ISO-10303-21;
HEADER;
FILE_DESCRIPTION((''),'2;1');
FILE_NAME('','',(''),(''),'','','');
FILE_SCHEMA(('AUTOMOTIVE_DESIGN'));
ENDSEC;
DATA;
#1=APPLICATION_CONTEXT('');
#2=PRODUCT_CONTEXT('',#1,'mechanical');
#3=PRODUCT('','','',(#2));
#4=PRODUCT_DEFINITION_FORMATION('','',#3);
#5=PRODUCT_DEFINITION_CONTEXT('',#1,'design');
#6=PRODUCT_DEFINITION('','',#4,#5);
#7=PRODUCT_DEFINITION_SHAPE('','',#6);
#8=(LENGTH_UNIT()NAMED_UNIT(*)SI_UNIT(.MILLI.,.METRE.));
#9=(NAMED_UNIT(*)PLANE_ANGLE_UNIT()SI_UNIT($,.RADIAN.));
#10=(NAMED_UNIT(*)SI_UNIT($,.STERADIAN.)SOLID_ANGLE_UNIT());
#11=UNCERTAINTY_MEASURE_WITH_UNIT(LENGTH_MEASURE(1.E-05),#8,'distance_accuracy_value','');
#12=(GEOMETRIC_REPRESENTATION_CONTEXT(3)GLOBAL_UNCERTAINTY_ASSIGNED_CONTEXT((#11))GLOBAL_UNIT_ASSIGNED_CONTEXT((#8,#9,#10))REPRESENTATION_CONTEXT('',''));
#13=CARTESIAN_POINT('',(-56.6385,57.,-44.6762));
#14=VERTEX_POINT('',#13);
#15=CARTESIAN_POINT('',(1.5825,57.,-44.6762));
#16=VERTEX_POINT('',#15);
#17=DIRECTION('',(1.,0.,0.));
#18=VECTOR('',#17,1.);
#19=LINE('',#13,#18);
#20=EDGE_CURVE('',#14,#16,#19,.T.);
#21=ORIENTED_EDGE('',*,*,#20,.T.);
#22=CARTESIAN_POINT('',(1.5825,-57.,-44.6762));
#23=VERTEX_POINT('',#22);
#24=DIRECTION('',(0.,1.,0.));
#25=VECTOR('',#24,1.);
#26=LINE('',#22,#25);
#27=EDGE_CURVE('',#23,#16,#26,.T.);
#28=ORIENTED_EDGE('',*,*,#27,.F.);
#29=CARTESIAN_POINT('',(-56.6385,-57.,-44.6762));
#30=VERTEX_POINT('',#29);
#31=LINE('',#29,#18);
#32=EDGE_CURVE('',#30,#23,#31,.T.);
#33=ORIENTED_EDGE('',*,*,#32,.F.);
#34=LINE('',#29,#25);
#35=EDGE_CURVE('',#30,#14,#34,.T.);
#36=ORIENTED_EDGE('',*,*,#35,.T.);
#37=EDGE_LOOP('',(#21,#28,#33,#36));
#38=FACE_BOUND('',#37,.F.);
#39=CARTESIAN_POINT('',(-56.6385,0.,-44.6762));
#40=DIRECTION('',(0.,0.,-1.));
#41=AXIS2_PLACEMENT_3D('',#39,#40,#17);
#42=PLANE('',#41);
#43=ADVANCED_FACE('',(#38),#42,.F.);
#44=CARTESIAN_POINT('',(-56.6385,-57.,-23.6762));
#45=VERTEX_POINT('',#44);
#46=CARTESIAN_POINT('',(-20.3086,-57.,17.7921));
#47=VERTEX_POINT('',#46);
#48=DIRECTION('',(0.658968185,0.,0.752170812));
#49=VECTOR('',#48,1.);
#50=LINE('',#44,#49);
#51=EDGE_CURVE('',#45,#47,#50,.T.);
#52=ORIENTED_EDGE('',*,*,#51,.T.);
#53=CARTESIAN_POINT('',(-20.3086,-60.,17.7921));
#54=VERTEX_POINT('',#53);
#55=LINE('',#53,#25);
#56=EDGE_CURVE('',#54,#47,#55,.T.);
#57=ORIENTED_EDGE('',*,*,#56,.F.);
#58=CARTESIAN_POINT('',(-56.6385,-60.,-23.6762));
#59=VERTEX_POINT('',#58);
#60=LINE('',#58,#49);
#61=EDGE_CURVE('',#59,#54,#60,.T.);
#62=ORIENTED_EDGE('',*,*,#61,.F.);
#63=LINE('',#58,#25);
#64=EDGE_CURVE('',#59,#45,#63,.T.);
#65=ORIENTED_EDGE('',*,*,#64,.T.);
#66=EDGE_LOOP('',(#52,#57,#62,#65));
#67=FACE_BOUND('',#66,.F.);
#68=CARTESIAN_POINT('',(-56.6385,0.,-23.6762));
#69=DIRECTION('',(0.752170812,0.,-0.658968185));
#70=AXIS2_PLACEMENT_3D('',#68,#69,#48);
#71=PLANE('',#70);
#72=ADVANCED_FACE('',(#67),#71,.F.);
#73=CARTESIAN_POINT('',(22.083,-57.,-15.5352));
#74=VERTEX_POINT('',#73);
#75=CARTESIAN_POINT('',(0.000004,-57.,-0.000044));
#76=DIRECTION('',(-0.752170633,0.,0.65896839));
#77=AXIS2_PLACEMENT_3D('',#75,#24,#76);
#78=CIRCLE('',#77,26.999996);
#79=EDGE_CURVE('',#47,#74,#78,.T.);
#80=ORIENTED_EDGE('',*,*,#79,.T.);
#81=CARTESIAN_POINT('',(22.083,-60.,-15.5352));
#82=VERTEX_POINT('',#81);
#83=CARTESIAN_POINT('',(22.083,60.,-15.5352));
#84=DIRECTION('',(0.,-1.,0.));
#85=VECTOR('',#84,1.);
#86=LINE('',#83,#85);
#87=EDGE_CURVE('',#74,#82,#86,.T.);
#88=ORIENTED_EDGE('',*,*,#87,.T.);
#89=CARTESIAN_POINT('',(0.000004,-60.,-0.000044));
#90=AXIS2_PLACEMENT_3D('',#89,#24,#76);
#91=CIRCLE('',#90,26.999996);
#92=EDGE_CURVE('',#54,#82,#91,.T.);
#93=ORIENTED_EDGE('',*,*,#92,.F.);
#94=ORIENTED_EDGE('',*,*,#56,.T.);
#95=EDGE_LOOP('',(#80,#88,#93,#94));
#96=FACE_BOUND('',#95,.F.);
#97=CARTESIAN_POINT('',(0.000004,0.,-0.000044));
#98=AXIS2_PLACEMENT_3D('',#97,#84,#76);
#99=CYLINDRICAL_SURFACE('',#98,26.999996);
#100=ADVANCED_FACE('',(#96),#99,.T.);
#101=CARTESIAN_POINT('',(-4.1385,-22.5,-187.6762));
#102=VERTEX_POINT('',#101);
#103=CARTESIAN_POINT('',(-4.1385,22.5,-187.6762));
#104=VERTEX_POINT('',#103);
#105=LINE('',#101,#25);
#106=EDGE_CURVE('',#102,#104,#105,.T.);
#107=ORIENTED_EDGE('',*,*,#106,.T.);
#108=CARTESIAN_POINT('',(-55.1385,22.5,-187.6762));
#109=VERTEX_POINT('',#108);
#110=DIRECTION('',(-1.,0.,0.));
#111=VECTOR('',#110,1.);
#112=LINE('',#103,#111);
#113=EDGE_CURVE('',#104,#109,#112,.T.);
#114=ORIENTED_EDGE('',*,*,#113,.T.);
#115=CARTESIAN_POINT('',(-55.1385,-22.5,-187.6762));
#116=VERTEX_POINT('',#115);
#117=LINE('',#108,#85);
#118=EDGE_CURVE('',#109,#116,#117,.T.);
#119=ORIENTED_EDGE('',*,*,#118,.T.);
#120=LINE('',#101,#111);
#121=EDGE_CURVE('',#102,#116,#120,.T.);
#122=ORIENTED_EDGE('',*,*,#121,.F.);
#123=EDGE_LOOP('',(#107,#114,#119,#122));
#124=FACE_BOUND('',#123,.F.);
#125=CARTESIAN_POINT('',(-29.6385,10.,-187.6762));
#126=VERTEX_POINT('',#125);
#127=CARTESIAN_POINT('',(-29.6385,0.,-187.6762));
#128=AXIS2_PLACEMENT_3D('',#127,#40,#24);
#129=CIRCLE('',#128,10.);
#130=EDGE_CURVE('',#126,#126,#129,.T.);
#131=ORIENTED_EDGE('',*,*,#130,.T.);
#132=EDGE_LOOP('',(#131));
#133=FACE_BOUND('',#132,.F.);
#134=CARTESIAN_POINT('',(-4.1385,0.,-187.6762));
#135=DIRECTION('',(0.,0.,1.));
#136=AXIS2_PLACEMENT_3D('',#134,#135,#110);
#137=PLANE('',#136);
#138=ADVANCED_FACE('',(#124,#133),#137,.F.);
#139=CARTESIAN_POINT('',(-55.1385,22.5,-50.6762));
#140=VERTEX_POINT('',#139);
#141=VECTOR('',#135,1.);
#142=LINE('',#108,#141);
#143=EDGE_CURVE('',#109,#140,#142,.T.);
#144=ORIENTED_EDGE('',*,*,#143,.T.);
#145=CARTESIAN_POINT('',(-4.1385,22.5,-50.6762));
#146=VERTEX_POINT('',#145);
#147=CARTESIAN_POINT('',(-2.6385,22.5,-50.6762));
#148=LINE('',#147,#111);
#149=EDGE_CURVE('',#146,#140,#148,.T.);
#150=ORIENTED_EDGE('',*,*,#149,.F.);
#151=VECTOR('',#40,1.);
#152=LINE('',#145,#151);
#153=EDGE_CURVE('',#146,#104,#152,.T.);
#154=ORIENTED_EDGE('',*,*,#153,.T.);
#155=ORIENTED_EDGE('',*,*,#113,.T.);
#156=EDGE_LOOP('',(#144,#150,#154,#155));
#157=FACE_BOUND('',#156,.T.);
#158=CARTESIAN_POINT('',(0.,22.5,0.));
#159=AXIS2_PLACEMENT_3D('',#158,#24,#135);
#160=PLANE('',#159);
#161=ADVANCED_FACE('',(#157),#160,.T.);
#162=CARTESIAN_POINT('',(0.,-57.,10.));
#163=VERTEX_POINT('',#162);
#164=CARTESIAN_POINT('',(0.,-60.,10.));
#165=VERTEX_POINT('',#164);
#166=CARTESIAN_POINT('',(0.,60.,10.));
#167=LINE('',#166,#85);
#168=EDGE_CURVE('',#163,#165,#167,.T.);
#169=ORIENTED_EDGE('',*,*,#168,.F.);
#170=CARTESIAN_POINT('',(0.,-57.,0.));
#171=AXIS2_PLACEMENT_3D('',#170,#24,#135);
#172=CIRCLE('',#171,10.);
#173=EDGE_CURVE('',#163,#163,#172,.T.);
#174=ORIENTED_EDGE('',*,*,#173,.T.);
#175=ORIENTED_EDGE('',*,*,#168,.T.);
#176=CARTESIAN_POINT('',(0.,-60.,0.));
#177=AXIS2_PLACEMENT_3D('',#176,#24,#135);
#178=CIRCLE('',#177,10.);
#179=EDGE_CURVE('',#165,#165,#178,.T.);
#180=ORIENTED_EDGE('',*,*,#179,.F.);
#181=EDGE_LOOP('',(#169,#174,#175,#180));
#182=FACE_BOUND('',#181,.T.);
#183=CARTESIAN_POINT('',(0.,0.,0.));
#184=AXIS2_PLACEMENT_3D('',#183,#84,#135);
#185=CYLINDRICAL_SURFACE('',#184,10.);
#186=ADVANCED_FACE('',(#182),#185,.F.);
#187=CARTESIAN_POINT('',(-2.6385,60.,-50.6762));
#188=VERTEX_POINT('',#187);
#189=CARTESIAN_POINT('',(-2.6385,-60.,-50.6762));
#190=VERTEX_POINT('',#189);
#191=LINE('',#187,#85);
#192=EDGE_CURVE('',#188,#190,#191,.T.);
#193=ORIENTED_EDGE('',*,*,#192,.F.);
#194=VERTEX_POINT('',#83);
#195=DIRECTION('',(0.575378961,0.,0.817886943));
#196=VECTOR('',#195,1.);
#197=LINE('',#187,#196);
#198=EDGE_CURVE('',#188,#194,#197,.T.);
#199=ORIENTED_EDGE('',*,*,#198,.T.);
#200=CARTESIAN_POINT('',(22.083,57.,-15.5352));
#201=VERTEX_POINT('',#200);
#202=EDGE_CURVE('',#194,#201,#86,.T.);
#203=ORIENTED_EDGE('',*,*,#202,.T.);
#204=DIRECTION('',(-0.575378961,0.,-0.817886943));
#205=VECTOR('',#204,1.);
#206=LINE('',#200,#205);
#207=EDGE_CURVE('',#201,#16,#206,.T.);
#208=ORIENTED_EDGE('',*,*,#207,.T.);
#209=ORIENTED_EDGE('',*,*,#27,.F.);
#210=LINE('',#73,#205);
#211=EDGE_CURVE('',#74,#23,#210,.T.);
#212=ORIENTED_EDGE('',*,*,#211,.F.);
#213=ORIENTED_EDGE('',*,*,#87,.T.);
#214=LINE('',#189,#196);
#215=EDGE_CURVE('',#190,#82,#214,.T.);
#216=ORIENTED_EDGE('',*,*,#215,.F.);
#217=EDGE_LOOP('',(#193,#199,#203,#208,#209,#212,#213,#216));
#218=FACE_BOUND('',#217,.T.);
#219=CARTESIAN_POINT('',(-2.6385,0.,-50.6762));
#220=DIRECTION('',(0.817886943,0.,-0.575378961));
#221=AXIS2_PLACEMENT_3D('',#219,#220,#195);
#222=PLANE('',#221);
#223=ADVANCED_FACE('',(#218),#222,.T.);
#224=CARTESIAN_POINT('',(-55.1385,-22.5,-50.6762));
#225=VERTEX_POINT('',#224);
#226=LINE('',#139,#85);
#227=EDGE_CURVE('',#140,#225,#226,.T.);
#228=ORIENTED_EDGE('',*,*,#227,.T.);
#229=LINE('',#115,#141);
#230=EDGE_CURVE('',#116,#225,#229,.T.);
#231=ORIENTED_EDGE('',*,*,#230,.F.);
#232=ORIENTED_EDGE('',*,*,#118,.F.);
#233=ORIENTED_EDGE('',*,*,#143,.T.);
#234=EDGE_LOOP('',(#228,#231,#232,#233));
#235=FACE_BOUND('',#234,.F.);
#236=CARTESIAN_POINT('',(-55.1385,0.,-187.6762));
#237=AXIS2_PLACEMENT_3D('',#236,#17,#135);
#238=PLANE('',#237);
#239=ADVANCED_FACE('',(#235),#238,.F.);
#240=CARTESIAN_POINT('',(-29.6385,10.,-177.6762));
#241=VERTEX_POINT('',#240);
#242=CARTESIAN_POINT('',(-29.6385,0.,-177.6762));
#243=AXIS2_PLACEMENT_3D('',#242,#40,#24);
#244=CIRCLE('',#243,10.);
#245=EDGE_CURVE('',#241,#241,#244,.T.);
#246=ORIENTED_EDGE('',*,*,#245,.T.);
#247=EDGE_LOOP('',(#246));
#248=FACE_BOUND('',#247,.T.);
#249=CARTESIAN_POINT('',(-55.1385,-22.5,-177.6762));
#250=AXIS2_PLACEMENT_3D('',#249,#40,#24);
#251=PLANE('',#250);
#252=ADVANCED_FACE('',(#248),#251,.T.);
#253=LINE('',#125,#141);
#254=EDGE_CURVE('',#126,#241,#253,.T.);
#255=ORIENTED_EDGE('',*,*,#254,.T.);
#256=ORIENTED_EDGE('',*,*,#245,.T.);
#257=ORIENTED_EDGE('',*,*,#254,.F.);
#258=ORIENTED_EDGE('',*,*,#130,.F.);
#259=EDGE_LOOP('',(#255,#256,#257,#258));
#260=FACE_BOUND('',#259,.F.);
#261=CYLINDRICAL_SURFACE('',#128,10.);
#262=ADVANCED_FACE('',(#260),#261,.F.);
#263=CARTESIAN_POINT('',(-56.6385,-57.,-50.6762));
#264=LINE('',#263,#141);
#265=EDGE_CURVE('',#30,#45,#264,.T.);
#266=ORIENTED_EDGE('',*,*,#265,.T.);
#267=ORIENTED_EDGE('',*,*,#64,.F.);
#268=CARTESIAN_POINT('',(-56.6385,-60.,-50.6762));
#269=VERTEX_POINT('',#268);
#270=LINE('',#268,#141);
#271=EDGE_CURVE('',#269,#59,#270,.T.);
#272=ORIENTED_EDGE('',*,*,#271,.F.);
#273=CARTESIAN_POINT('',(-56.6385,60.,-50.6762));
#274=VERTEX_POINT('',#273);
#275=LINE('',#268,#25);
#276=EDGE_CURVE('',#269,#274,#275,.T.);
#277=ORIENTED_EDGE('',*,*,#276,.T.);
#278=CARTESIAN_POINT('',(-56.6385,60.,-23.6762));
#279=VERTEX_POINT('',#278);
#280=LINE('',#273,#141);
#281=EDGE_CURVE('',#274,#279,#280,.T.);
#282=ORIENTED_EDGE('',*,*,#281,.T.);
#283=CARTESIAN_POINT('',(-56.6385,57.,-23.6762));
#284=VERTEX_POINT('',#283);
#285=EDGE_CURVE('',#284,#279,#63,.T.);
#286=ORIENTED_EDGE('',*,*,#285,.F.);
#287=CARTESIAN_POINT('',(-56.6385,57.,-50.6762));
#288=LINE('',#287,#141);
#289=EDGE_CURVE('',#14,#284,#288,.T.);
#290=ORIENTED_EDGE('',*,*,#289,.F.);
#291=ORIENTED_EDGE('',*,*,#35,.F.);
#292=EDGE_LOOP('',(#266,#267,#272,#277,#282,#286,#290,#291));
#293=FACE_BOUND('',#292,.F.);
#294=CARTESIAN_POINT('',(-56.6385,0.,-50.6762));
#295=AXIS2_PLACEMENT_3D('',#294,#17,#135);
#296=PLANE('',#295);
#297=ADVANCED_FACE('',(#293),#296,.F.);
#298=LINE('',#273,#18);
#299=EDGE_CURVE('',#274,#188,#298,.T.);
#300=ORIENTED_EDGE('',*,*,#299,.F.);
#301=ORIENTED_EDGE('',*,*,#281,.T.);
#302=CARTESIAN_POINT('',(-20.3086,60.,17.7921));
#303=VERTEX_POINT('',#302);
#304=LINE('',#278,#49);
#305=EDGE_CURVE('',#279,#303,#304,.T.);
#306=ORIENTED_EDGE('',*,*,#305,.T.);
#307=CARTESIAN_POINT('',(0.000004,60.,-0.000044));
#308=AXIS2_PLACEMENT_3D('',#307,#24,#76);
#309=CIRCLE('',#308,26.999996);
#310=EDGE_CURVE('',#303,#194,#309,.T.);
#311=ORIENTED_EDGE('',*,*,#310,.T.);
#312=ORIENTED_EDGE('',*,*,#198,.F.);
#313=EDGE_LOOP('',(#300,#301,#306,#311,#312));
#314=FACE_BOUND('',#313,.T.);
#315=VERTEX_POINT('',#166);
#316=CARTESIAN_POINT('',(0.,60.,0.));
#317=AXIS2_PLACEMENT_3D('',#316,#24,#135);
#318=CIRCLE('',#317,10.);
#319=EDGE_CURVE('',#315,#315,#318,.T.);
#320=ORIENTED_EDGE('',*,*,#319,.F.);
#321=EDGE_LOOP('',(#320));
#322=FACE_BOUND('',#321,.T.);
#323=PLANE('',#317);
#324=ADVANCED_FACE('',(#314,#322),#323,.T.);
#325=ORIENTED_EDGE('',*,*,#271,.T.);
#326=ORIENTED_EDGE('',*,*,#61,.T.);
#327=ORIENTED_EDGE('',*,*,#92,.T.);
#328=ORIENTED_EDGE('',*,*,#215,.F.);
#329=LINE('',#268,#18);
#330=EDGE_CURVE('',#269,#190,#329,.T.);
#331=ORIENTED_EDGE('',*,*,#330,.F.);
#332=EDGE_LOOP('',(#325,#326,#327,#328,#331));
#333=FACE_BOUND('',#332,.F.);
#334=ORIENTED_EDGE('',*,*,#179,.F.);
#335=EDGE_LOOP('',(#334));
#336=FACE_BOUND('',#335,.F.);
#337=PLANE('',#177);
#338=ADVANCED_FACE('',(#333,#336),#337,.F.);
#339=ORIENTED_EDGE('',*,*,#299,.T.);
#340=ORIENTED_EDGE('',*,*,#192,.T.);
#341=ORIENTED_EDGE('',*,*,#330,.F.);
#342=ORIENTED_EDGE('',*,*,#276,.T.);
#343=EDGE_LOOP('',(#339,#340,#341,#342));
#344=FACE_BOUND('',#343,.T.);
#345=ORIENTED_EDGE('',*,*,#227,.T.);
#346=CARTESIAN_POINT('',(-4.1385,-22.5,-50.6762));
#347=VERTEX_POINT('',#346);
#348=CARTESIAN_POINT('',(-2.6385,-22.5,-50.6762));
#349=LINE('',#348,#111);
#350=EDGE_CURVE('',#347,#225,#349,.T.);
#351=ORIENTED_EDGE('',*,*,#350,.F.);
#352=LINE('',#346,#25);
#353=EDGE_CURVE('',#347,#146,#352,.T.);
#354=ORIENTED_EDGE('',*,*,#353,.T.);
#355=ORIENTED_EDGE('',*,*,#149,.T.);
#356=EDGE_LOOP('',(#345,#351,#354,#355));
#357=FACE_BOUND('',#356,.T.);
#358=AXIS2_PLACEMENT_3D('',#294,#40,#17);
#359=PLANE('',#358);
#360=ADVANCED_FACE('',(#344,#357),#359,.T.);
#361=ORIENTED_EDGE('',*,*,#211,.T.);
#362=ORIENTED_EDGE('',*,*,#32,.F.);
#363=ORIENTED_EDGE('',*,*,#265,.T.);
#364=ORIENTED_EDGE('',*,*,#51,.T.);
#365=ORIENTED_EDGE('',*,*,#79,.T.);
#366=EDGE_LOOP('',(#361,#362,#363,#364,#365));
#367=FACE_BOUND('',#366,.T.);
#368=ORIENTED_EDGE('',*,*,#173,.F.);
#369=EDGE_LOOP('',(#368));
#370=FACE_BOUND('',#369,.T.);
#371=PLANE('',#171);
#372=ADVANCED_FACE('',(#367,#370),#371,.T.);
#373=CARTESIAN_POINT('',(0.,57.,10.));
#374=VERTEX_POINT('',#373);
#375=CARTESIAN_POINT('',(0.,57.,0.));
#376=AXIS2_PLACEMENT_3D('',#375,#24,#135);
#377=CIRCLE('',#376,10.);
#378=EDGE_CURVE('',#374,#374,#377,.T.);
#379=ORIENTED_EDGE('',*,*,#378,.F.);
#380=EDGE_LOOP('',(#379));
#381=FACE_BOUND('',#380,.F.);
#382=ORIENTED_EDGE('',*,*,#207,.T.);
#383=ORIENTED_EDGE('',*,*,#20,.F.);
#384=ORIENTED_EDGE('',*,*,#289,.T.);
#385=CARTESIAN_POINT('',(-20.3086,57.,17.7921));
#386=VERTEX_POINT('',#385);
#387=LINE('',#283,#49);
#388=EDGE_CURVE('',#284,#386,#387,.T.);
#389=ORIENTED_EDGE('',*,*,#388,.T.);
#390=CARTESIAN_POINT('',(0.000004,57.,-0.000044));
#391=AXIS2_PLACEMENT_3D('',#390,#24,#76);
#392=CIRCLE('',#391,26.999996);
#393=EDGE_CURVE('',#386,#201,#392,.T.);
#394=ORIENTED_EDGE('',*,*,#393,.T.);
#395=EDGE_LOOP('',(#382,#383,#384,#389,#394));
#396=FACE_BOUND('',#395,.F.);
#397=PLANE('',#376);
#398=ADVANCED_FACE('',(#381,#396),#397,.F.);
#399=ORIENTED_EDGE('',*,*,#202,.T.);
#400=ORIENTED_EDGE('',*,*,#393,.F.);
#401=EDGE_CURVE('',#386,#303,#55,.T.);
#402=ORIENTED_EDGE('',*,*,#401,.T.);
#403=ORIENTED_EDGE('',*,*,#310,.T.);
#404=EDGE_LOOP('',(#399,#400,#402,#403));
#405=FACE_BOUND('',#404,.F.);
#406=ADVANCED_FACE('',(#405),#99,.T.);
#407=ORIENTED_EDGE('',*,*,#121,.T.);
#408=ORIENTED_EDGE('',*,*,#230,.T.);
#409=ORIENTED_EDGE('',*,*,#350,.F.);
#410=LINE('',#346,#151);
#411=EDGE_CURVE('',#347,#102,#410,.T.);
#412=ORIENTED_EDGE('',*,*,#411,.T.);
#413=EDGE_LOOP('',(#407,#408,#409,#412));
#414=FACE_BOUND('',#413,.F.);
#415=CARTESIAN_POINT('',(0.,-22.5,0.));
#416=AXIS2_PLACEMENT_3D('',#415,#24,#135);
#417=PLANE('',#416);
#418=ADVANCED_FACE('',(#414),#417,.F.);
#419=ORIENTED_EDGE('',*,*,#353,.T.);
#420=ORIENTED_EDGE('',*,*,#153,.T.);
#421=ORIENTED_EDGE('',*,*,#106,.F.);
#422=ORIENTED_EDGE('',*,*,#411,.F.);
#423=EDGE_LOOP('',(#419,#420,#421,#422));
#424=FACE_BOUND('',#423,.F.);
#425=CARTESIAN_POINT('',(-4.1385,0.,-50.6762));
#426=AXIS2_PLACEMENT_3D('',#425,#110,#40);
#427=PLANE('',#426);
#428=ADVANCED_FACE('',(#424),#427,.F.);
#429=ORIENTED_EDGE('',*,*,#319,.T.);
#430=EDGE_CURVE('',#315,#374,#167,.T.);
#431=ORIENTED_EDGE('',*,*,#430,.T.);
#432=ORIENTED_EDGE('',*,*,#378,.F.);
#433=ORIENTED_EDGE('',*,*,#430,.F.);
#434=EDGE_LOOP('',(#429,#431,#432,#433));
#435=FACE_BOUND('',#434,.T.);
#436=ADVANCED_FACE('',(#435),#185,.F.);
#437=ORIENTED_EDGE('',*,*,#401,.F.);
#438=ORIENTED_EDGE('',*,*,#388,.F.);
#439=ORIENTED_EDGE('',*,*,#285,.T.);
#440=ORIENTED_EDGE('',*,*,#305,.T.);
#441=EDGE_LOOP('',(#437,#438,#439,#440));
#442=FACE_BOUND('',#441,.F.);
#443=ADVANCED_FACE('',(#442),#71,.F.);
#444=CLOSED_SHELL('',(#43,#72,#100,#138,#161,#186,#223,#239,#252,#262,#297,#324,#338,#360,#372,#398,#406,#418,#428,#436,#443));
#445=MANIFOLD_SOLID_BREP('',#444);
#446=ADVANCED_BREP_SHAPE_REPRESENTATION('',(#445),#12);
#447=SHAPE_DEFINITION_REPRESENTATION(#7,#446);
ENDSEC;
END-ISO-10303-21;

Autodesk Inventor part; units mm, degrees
ref_plane "YZ Plane" through (0, 0, 0) normal (1, 0, 0) x (0, 1, 0)
ref_plane "XZ Plane" through (0, 0, 0) normal (0, 1, 0) x (-1, 0, 0)
ref_plane "XY Plane" through (0, 0, 0) normal (0, 0, 1) x (1, 0, 0)
sketch "Sketch1" plane through (0, 0, 0) normal (1, 0, 0) x (0, 1, 0)
  circle A0 centre (0, 0) radius 10
  line L0 (0, 0) -> (-50.6762, -56.6385) construction
  line L1 (-50.6762, -56.6385) -> (-50.6762, -2.6385)
  line L2 (-50.6762, -56.6385) -> (-23.6762, -56.6385)
  arc A1 (17.7921, -20.3086) -> (-15.5352, 22.083) centre (0, 0) ccw
  line L3 (-50.6762, -2.6385) -> (-15.5352, 22.083)
  line L4 (-23.6762, -56.6385) -> (17.7921, -20.3086)
  dimension "d0" = 20
  dimension "d2" = 41.82
  dimension "d5" = 76
  dimension "d6" = 27
  dimension "d7" = 54
  dimension "d8" = 54
extrude "Extrusion1" add sketch "Sketch1" along normal mid plane 120
sketch "Sketch2" plane through (0, 0, 0) normal (1, 0, 0) x (0, 1, 0)
  circle A0 centre (0, 0) radius 10 projected
  line L0 (-50.6762, -2.6385) -> (-50.6762, -56.6385) projected
  line L1 (-50.6762, -56.6385) -> (-23.6762, -56.6385) projected
  line L2 (-23.6762, -56.6385) -> (17.7921, -20.3086) projected
  arc A1 (17.7921, -20.3086) -> (-15.5352, 22.083) centre (0, 0) ccw projected
  line L3 (-15.5352, 22.083) -> (-50.6762, -2.6385) projected
  line L4 (-44.6762, -56.6385) -> (-44.6762, 1.5825)
  line L5 (-44.6762, 1.5825) -> (-15.5352, 22.083)
  line L6 (-44.6762, -56.6385) -> (-23.6762, -56.6385)
  dimension "d11" = 6
extrude "Extrusion2" cut sketch "Sketch2" along normal mid plane 114 contours L3 A1 L2 L1 L4
sketch "Sketch3" plane through (0, 0, 0) normal (1, 0, 0) x (0, 1, 0)
  line L0 (-50.6762, -29.6385) -> (-80.5956, -29.6385) construction
  line L1 (-50.6762, -2.6385) -> (-50.6762, -56.6385) projected
  line L2 (-50.6762, -4.1385) -> (-187.6762, -4.1385)
  line L3 (-187.6762, -4.1385) -> (-187.6762, -55.1385)
  line L4 (-187.6762, -55.1385) -> (-50.6762, -55.1385)
  line L5 (-50.6762, -55.1385) -> (-50.6762, -4.1385)
  line L6 (-50.6762, -29.6385) -> (-187.6762, -29.6385) construction
  point P0 (0, 0)
  dimension "d14" = 51
  dimension "d16" = 137
extrude "Extrusion3" add sketch "Sketch3" along normal mid plane 45
sketch "Sketch5" plane through (-22.5, -187.6762, -55.1385) normal (0, -1, 0) x (1, 0, 0)
  line L0 (0, 51) -> (45, 0) construction
  circle A0 centre (22.5, 25.5) radius 10
  point P0 (22.5, 55.1385)
  dimension "d19" = 20
extrude "Extrusion4" cut sketch "Sketch5" against normal blind 10
move or copy body "Move Body6" bodies to move or copy 1 copy no rotation origin (0, 0, 0) rotation axis (1, 0, 0) rotation angle 90
move or copy body "Move Body7" bodies to move or copy 1 copy no rotation origin (0, 0, 0) rotation axis (0, 0, 1) rotation angle 90
properties part number "Elbow_Pitch"
